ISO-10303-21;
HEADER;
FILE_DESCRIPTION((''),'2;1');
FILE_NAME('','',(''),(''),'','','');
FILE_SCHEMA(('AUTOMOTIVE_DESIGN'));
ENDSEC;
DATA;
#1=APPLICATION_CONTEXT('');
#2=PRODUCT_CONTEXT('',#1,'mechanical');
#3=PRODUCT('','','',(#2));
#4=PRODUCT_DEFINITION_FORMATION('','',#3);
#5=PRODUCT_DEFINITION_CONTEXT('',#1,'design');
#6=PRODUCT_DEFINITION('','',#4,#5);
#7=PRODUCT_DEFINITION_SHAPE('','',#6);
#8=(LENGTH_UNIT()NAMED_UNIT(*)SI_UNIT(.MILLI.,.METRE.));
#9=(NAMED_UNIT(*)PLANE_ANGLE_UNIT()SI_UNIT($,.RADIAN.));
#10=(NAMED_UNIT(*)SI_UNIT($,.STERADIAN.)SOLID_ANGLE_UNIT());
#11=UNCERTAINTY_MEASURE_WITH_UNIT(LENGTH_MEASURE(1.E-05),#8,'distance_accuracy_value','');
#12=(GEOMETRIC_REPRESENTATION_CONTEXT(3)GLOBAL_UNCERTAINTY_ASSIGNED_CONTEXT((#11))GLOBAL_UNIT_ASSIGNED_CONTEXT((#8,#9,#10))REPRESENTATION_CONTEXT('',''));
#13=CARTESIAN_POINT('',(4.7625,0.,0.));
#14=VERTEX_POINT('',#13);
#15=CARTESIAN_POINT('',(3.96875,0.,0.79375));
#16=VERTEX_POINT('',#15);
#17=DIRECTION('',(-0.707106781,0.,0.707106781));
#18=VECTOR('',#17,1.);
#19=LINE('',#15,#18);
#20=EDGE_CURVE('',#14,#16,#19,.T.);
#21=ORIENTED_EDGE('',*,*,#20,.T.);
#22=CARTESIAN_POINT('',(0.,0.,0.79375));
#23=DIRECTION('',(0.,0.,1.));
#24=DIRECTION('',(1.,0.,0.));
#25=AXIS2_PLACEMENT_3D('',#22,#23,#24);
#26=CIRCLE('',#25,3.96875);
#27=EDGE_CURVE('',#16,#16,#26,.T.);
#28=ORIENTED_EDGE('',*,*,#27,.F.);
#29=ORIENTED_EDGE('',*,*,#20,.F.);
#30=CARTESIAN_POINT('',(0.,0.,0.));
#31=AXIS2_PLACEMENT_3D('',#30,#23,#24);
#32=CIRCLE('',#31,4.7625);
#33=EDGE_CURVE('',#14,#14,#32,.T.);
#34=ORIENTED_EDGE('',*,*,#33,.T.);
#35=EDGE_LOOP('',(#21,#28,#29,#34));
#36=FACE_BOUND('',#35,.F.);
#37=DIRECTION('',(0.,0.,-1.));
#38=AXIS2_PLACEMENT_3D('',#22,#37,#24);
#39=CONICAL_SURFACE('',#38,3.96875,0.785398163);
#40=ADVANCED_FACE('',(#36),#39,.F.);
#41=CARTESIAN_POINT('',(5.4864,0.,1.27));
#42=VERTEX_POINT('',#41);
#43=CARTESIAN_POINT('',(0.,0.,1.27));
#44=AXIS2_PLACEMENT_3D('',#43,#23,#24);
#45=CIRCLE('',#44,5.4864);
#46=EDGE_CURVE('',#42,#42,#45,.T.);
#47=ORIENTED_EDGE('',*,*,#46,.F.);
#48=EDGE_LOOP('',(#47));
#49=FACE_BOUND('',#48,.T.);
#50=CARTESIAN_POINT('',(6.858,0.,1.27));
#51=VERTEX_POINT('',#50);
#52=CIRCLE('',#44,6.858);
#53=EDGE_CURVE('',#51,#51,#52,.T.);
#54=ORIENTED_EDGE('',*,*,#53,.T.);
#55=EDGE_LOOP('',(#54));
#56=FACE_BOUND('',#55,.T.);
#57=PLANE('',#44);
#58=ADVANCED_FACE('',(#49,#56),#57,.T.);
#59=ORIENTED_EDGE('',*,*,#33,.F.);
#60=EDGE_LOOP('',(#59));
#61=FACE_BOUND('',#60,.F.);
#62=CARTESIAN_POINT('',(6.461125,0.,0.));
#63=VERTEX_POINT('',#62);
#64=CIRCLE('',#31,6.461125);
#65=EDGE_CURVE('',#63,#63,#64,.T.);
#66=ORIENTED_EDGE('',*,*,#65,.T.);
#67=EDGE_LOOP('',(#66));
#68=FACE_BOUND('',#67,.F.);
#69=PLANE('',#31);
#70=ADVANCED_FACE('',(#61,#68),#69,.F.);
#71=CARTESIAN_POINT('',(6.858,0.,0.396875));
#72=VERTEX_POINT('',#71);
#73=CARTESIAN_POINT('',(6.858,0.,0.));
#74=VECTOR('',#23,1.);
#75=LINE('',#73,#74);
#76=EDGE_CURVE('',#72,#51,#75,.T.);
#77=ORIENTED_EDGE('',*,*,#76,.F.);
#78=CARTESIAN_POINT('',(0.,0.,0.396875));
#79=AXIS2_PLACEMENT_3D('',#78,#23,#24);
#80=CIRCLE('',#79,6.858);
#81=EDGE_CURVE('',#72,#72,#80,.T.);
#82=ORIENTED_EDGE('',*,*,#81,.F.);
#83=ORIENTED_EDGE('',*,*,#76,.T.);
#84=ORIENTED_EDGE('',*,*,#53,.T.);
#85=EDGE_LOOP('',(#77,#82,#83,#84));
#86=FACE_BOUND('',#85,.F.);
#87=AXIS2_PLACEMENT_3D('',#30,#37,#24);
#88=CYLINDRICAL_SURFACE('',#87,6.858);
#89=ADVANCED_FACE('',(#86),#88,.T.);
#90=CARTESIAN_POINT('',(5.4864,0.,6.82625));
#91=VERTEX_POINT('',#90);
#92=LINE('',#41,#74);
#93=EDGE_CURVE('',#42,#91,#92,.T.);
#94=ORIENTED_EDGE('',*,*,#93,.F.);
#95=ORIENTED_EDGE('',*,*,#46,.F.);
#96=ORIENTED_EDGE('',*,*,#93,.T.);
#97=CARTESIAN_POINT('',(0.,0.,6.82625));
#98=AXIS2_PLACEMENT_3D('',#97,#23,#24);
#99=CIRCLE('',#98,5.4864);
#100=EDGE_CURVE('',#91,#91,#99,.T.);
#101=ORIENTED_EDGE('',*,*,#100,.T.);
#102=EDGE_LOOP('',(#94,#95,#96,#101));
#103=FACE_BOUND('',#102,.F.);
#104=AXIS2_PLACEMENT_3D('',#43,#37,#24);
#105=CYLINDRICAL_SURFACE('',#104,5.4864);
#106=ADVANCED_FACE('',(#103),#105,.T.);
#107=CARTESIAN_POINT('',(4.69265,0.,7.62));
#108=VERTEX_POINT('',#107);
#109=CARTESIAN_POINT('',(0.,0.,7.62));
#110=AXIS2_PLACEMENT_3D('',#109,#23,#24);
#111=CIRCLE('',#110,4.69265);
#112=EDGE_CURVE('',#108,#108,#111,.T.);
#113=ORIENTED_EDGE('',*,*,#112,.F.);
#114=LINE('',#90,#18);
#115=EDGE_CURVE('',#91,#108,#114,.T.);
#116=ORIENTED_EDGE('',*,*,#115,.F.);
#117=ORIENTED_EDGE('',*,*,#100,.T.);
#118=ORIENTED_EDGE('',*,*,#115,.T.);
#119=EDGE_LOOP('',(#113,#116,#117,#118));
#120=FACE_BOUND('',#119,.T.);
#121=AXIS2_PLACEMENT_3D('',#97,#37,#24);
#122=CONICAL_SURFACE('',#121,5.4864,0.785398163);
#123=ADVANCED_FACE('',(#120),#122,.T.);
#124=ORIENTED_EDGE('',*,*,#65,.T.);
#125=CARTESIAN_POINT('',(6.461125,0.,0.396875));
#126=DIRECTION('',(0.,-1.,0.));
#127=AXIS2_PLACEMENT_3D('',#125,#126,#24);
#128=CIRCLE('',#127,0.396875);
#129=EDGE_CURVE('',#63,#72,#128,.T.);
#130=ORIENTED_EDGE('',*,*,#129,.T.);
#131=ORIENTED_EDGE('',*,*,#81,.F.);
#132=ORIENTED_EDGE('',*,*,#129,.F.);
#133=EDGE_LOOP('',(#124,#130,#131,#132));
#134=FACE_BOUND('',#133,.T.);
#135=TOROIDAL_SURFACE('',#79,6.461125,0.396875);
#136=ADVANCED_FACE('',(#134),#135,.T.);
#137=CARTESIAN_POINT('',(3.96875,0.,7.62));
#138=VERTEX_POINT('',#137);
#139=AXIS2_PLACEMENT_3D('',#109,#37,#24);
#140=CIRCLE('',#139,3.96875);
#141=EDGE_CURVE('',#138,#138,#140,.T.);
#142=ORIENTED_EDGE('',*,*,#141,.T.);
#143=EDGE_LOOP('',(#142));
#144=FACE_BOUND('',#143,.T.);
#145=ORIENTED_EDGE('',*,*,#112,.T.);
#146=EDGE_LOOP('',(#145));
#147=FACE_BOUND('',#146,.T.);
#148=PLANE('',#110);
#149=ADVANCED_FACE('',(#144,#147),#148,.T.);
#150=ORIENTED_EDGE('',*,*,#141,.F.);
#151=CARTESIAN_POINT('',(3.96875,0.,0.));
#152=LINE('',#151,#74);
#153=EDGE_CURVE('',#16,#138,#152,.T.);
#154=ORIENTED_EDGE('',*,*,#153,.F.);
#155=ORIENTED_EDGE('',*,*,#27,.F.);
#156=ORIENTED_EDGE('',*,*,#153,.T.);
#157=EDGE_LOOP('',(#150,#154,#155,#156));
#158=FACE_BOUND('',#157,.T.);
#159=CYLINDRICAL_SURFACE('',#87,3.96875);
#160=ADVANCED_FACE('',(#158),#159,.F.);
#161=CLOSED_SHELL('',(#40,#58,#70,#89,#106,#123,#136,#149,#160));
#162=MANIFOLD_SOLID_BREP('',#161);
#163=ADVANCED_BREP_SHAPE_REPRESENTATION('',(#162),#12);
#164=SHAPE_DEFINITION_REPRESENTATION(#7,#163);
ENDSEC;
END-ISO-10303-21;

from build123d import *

# Parameters (mm, degrees)
F0_R     = 6.858
F1_DEPTH = 1.27
F2_R     = 5.4864
F3_DEPTH = 6.35
F4_R     = 3.96875
F5_DEPTH = 25.4
F6_SIZE  = 0.79375
F7_R     = 0.396875


with BuildPart() as f1:
    # F0 (on Top) → F1 (new body)
    with BuildSketch(Plane.XY):
        Circle(F0_R)
    extrude(amount=F1_DEPTH)

    # F2 (on face) → F3 (join)
    with BuildSketch(Plane.XY.offset(1.27)):
        Circle(F2_R)
    extrude(amount=F3_DEPTH)

    # F4 (on Top) → F5 (cut)
    with BuildSketch(Plane.XY):
        Circle(F4_R)
    extrude(amount=F5_DEPTH, mode=Mode.SUBTRACT)

    # F6
    f6_edges = [f1.edges().sort_by_distance(p)[0] for p in [
        (-5.4864, 0, 7.62),
        (-3.96875, 0, 0),
    ]]
    chamfer(f6_edges, length=F6_SIZE)

    # F7
    f7_edges = [f1.edges().sort_by_distance(p)[0] for p in [
        (-6.858, 0, 0),
    ]]
    fillet(f7_edges, radius=F7_R)


solid = f1.part
